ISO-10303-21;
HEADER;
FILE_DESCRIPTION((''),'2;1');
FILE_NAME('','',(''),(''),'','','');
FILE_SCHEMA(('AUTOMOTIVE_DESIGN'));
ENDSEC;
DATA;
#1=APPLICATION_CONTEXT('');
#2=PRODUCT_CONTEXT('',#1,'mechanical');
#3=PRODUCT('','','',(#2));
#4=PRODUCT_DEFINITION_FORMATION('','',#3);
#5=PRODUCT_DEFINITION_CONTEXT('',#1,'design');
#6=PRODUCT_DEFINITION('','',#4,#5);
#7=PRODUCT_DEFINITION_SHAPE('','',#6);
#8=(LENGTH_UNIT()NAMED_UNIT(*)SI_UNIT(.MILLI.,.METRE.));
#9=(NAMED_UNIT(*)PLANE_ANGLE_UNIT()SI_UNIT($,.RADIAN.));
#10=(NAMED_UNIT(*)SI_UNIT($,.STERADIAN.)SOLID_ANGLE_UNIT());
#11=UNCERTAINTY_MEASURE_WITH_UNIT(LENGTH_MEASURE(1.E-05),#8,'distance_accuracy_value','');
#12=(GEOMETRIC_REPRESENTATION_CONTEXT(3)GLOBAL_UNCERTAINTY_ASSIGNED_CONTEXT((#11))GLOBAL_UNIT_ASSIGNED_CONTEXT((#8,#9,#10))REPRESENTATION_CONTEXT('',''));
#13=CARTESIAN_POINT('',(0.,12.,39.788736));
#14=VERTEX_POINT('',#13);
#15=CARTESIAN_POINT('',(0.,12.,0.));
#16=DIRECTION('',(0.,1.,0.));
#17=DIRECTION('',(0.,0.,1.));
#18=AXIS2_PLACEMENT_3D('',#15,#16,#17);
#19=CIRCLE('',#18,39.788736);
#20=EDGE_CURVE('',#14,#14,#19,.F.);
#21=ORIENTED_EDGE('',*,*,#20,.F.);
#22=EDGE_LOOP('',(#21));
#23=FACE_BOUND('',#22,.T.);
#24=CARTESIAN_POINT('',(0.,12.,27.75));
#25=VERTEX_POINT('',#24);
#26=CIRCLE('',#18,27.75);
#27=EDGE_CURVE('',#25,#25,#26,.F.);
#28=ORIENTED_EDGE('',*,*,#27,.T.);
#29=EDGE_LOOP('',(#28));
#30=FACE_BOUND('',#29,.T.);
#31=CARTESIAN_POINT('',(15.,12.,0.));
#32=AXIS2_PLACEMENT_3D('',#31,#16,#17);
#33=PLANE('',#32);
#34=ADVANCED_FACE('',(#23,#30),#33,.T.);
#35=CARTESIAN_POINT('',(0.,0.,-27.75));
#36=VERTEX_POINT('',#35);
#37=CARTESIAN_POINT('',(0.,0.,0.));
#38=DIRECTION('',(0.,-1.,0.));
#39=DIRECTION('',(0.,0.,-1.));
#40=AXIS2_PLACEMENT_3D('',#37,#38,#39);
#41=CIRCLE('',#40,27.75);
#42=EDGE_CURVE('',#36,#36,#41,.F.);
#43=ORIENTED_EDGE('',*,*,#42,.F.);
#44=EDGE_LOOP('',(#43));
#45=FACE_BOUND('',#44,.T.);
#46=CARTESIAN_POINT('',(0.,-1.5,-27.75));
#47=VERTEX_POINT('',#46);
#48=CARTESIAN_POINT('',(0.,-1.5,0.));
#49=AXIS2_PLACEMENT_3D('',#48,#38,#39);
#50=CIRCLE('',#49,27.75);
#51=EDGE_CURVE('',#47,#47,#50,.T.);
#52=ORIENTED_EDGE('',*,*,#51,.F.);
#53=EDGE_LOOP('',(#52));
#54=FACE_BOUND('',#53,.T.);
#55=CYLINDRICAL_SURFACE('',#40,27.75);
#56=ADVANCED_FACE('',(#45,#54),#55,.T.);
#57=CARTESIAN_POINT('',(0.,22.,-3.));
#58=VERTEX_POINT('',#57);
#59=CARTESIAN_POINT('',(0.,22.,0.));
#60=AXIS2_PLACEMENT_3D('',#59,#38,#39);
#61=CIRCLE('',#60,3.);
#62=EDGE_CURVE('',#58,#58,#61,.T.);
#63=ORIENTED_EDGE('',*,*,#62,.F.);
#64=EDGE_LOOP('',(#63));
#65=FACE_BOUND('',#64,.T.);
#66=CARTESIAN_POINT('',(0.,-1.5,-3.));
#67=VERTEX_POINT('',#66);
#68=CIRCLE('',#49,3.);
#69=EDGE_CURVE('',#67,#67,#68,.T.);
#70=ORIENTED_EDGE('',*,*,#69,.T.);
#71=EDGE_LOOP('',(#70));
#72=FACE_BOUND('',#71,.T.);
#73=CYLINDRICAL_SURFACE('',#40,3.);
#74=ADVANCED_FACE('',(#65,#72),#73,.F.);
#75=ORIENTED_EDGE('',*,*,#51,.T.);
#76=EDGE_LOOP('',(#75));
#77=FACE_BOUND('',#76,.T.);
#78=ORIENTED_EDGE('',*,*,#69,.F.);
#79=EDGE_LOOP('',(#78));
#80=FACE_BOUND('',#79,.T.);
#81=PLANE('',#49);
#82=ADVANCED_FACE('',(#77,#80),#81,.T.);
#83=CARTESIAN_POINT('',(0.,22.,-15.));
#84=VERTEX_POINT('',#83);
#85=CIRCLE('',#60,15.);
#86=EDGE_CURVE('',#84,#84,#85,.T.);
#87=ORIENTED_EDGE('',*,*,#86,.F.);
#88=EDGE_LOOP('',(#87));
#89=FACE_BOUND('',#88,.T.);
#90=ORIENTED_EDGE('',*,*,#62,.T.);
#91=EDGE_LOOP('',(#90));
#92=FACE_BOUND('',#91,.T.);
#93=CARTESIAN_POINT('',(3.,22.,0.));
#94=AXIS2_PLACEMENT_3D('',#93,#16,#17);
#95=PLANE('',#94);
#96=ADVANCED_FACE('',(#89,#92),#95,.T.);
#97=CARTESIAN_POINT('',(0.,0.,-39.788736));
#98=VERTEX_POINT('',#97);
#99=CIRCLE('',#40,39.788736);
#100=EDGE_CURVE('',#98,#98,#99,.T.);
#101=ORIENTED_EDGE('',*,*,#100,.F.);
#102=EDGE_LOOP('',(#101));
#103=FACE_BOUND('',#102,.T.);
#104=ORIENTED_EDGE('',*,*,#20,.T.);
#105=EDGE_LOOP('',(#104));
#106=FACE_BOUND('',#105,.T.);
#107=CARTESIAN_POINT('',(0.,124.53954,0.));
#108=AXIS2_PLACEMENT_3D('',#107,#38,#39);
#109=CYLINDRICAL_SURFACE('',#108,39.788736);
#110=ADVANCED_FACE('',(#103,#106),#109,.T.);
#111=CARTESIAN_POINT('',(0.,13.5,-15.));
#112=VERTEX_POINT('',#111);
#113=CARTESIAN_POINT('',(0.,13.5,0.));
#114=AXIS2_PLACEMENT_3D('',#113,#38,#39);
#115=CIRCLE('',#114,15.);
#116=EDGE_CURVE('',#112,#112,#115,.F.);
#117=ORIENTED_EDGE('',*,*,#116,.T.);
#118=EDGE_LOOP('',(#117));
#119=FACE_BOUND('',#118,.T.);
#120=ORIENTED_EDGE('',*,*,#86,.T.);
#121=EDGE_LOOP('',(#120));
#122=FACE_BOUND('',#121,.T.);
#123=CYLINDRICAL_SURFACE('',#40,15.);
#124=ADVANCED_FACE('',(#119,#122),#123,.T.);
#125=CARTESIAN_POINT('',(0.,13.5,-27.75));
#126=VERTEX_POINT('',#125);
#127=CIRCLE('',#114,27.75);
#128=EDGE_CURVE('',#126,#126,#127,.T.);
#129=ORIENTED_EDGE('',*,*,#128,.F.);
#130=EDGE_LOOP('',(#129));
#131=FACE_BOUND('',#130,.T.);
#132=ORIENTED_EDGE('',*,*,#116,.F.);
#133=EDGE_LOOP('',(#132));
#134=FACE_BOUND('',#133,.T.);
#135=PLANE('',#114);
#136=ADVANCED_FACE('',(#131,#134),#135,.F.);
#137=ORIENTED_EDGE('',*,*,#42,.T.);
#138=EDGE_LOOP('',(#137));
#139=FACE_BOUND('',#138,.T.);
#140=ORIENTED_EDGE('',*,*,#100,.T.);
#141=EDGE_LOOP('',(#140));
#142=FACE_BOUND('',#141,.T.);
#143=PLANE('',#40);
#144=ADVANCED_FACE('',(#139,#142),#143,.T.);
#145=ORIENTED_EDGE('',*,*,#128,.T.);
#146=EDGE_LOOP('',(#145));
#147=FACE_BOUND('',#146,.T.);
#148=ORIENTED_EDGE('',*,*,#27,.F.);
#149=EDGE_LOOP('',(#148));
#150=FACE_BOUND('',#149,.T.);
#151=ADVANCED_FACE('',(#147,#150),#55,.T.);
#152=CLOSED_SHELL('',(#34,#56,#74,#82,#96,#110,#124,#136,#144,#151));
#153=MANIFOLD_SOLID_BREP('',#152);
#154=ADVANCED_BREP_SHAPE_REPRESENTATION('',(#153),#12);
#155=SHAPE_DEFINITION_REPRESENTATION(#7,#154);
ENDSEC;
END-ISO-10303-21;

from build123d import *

# Parameters (mm, degrees)
SKETCH2_R           = 39.788735773
SKETCH2_R_2         = 27.75
BOSS_EXTRUDE1_DEPTH = 12
BOSS_EXTRUDE2_START = 1.5
SKETCH3_R           = 27.75
SKETCH3_R_2         = 3
BOSS_EXTRUDE2_DEPTH = 15


with BuildPart() as part:
    # Sketch1 → Revolve1 (revolve)
    with BuildSketch(Plane.XY):
        Polygon((3, 22), (3, 0), (27.75, 0), (27.75, 12), (15, 12), (15, 22), align=None)
    revolve(axis=Axis((0, 0, 0), (0, 1, 0)))



with BuildPart() as body_2:
    # Sketch2 → Boss-Extrude1 (new body)
    with BuildSketch(Plane.XZ):
        Circle(SKETCH2_R)
        Circle(SKETCH2_R_2, mode=Mode.SUBTRACT)
    extrude(amount=-BOSS_EXTRUDE1_DEPTH)


with BuildPart() as part_1:
    add(part.part)

    add(body_2.part)  # Boss-Extrude2 merges body 2
    # Sketch3 → Boss-Extrude2 (add)
    with BuildSketch(Plane.XZ.offset(BOSS_EXTRUDE2_START)):
        Circle(SKETCH3_R)
        Circle(SKETCH3_R_2, mode=Mode.SUBTRACT)
    extrude(amount=-BOSS_EXTRUDE2_DEPTH)


solid = part_1.part
